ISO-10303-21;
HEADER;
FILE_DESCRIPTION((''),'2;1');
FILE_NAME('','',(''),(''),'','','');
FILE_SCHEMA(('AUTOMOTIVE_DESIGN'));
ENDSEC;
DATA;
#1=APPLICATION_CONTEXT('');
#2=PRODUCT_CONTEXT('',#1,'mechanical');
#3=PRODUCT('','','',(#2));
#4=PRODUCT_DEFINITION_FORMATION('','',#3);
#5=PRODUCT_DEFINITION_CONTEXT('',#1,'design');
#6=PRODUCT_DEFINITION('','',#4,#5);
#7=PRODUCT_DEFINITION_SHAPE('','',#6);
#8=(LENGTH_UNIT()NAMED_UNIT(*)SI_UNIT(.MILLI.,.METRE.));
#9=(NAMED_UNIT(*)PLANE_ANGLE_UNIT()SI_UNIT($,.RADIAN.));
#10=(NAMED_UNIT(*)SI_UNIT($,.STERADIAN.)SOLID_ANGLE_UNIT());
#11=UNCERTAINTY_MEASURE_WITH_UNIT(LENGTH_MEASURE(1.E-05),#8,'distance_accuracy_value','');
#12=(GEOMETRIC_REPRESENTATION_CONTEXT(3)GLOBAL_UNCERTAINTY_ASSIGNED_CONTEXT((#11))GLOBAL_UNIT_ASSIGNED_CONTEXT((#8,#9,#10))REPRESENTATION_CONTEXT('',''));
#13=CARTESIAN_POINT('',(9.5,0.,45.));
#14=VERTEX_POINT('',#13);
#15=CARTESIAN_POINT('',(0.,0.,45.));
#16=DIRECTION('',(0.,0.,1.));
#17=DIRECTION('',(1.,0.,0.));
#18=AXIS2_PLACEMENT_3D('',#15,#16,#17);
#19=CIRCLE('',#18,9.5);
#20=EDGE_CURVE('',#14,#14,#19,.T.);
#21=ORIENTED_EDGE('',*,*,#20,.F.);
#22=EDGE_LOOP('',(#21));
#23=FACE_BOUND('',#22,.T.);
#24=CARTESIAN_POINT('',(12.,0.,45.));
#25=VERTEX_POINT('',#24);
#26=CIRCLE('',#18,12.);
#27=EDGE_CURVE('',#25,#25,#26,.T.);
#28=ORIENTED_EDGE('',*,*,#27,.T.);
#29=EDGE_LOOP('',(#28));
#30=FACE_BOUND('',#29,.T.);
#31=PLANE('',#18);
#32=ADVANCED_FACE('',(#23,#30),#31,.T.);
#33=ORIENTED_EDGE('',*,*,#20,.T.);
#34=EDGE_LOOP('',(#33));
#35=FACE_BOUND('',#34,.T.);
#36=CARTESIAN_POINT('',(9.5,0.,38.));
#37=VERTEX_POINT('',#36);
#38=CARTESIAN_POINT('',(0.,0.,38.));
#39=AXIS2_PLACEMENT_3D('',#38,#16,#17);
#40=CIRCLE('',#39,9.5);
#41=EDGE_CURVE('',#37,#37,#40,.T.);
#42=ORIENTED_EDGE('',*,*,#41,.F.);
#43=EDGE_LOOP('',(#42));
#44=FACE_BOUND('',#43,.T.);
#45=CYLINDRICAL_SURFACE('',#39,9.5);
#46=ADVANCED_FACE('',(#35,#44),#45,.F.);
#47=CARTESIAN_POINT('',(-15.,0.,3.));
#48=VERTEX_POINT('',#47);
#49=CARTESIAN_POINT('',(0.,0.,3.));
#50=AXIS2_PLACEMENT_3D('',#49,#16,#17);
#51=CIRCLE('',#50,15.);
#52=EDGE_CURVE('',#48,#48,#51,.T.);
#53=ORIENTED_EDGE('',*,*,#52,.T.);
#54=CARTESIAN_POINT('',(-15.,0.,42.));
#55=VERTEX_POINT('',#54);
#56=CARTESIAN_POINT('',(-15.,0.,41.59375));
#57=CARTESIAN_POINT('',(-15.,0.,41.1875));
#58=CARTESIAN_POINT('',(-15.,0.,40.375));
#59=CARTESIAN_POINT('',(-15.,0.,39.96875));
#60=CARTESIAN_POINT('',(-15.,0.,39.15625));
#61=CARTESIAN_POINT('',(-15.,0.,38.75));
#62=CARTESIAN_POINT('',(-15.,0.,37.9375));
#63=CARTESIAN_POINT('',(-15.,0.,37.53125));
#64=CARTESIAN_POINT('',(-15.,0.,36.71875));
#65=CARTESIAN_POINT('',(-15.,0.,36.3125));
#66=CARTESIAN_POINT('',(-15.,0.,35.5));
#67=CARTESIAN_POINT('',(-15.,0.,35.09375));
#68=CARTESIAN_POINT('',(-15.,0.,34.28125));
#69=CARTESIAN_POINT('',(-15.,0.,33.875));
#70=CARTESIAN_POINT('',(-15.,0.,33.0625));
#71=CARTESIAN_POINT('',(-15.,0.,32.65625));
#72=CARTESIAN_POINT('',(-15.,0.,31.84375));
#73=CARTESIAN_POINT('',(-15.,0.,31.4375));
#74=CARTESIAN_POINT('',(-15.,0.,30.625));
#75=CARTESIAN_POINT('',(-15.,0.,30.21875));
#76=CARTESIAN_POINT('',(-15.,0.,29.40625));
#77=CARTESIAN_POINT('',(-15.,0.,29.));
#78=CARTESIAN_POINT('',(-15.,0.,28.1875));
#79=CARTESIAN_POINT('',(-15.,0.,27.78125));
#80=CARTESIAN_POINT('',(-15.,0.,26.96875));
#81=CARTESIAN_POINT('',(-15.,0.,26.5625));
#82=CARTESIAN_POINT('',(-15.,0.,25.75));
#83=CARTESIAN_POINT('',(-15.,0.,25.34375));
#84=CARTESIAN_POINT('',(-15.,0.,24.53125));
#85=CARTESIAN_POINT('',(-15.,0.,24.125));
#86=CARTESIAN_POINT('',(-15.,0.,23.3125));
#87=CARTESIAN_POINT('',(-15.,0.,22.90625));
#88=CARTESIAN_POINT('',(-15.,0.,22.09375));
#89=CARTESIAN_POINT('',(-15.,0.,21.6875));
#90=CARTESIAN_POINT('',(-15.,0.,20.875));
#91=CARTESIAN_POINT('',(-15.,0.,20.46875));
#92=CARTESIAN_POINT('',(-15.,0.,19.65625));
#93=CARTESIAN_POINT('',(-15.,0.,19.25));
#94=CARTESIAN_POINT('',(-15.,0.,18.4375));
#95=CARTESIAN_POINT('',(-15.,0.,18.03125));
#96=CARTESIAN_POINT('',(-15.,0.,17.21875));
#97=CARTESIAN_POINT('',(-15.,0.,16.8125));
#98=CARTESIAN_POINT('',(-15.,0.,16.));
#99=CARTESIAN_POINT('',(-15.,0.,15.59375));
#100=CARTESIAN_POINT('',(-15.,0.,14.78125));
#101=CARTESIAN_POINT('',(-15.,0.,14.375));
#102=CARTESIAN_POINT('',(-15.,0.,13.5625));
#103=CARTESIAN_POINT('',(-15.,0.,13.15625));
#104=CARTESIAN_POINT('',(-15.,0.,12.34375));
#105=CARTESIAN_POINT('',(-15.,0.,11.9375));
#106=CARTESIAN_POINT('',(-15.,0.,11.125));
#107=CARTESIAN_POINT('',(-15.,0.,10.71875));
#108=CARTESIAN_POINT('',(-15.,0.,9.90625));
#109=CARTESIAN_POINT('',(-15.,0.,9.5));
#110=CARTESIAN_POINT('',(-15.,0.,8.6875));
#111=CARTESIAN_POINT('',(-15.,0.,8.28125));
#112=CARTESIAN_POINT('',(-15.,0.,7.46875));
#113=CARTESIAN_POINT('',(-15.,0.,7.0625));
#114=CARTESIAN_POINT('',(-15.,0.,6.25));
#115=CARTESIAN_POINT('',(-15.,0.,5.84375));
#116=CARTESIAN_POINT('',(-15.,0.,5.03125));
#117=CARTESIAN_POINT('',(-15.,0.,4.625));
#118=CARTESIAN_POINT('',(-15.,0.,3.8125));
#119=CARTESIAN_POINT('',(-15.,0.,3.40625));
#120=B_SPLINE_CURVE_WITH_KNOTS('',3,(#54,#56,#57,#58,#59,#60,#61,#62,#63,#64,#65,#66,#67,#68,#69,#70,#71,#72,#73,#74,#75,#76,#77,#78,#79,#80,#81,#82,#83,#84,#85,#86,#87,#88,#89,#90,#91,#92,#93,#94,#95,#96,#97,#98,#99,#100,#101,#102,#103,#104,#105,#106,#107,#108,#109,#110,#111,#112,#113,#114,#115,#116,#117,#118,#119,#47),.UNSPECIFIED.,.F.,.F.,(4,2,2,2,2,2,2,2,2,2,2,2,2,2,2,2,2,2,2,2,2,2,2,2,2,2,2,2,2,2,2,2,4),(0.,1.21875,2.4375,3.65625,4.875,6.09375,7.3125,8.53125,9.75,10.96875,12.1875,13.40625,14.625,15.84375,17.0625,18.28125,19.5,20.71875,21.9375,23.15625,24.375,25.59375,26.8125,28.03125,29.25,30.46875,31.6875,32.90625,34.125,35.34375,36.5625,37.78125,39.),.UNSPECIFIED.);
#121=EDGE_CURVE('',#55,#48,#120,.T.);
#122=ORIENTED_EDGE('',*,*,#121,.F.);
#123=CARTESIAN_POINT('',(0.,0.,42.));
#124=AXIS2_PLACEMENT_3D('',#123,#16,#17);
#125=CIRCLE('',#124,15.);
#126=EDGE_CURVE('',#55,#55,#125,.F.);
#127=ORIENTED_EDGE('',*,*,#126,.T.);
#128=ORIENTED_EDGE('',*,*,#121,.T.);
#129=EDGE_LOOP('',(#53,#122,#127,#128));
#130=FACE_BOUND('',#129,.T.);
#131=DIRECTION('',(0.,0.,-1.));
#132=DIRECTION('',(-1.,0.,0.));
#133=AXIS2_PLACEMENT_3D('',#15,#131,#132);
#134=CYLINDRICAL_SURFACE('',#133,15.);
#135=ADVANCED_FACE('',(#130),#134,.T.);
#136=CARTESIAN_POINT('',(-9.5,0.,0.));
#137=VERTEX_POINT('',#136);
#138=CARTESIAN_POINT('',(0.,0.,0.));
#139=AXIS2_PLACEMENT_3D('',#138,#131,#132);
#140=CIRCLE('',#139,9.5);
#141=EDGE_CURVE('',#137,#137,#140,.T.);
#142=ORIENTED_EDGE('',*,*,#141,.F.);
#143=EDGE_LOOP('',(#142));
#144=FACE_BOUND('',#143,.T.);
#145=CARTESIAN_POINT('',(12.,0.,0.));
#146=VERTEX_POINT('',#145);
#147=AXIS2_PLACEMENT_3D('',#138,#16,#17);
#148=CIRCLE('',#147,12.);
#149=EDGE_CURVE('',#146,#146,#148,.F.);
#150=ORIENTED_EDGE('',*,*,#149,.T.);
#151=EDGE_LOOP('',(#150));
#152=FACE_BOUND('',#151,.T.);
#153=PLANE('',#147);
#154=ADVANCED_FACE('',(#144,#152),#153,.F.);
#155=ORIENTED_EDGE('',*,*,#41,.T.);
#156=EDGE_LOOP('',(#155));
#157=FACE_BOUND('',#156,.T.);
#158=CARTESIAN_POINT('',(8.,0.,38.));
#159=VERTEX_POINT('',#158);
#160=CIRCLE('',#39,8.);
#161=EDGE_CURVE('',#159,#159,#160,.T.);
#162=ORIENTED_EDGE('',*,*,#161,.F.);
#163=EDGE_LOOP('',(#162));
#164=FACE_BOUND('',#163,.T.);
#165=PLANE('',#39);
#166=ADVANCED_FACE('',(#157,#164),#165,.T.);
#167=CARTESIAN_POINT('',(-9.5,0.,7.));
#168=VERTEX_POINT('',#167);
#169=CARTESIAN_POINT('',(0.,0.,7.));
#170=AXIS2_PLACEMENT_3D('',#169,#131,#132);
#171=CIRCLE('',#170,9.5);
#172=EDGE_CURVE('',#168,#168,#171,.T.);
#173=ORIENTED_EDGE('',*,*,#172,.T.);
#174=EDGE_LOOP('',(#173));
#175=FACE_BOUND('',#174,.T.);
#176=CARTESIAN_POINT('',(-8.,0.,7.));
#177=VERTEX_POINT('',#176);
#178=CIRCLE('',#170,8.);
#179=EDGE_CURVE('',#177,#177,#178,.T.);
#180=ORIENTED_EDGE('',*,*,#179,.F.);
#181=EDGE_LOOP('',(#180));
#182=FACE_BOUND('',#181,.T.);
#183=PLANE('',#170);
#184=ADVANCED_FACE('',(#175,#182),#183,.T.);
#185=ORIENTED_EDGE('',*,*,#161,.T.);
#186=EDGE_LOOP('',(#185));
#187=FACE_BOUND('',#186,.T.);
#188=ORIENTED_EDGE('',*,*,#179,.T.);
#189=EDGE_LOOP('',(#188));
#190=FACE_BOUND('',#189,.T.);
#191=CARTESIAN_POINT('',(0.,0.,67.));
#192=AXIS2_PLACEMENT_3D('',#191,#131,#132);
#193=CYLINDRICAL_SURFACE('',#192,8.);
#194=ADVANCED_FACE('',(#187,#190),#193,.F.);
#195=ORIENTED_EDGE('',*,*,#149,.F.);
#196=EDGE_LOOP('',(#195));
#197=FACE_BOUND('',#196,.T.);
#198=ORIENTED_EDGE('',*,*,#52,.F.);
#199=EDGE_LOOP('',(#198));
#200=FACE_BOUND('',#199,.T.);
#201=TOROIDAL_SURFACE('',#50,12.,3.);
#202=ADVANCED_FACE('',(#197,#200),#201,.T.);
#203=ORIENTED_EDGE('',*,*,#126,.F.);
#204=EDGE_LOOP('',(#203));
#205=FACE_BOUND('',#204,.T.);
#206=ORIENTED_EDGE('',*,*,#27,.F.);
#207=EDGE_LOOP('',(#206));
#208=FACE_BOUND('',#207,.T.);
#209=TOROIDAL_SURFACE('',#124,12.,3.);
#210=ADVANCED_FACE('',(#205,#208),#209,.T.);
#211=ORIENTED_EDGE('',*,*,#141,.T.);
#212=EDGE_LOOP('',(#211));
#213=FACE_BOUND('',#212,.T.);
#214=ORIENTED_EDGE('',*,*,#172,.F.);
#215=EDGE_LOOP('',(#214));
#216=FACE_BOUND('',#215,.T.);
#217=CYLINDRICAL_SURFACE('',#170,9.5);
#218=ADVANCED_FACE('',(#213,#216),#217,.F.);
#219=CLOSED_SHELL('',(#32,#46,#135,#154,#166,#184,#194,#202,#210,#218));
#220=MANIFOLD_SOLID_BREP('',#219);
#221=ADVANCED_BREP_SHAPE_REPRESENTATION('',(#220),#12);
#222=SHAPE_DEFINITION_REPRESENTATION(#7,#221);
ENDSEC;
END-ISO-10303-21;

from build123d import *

# Parameters (mm, degrees)
ESQUISSE1_R             = 15
BOSS_EXTRU_1_DEPTH      = 45
ESQUISSE4_R             = 9.5
ENL_V_MAT_EXTRU_3_DEPTH = 7
ENL_V_START             = -7
ESQUISSE5_R             = 9.5
ENL_V_MAT_EXTRU_4_DEPTH = 7
ESQUISSE6_R             = 8
ENL_V_MAT_EXTRU_5_DEPTH = 60
CONG_1_R                = 3


with BuildPart() as part:
    # Esquisse1 → Boss.-Extru.1 (new body)
    with BuildSketch(Plane.XY):
        with Locations(Location((0, 0, 0), (0, 0, 180))):
            Circle(ESQUISSE1_R)
    extrude(amount=BOSS_EXTRU_1_DEPTH)

    # Esquisse4 → Enlèv. mat.-Extru.3 (cut)
    with BuildSketch(Plane.XY.offset(45)):
        Circle(ESQUISSE4_R)
    extrude(amount=-ENL_V_MAT_EXTRU_3_DEPTH, mode=Mode.SUBTRACT)

    # Esquisse5 → Enlèv. mat.-Extru.4 (cut)
    with BuildSketch(Plane(origin=(0, 0, 0), x_dir=(-1, 0, 0), z_dir=(0, 0, -1)).offset(ENL_V_START)):
        with Locations(Location((0, 0, 0), (0, 0, 180))):
            Circle(ESQUISSE5_R)
    extrude(amount=ENL_V_MAT_EXTRU_4_DEPTH, mode=Mode.SUBTRACT)

    # Esquisse6 → Enlèv. mat.-Extru.5 (cut)
    with BuildSketch(Plane(origin=(0, 0, 7), x_dir=(-1, 0, 0), z_dir=(0, 0, -1))):
        Circle(ESQUISSE6_R)
    extrude(amount=-ENL_V_MAT_EXTRU_5_DEPTH, mode=Mode.SUBTRACT)

    # Congé1
    cong_1_edges = [part.edges().sort_by_distance(p)[0] for p in [
        (15, 0, 0),
        (15, 0, 45),
    ]]
    fillet(cong_1_edges, radius=CONG_1_R)


solid = part.part
